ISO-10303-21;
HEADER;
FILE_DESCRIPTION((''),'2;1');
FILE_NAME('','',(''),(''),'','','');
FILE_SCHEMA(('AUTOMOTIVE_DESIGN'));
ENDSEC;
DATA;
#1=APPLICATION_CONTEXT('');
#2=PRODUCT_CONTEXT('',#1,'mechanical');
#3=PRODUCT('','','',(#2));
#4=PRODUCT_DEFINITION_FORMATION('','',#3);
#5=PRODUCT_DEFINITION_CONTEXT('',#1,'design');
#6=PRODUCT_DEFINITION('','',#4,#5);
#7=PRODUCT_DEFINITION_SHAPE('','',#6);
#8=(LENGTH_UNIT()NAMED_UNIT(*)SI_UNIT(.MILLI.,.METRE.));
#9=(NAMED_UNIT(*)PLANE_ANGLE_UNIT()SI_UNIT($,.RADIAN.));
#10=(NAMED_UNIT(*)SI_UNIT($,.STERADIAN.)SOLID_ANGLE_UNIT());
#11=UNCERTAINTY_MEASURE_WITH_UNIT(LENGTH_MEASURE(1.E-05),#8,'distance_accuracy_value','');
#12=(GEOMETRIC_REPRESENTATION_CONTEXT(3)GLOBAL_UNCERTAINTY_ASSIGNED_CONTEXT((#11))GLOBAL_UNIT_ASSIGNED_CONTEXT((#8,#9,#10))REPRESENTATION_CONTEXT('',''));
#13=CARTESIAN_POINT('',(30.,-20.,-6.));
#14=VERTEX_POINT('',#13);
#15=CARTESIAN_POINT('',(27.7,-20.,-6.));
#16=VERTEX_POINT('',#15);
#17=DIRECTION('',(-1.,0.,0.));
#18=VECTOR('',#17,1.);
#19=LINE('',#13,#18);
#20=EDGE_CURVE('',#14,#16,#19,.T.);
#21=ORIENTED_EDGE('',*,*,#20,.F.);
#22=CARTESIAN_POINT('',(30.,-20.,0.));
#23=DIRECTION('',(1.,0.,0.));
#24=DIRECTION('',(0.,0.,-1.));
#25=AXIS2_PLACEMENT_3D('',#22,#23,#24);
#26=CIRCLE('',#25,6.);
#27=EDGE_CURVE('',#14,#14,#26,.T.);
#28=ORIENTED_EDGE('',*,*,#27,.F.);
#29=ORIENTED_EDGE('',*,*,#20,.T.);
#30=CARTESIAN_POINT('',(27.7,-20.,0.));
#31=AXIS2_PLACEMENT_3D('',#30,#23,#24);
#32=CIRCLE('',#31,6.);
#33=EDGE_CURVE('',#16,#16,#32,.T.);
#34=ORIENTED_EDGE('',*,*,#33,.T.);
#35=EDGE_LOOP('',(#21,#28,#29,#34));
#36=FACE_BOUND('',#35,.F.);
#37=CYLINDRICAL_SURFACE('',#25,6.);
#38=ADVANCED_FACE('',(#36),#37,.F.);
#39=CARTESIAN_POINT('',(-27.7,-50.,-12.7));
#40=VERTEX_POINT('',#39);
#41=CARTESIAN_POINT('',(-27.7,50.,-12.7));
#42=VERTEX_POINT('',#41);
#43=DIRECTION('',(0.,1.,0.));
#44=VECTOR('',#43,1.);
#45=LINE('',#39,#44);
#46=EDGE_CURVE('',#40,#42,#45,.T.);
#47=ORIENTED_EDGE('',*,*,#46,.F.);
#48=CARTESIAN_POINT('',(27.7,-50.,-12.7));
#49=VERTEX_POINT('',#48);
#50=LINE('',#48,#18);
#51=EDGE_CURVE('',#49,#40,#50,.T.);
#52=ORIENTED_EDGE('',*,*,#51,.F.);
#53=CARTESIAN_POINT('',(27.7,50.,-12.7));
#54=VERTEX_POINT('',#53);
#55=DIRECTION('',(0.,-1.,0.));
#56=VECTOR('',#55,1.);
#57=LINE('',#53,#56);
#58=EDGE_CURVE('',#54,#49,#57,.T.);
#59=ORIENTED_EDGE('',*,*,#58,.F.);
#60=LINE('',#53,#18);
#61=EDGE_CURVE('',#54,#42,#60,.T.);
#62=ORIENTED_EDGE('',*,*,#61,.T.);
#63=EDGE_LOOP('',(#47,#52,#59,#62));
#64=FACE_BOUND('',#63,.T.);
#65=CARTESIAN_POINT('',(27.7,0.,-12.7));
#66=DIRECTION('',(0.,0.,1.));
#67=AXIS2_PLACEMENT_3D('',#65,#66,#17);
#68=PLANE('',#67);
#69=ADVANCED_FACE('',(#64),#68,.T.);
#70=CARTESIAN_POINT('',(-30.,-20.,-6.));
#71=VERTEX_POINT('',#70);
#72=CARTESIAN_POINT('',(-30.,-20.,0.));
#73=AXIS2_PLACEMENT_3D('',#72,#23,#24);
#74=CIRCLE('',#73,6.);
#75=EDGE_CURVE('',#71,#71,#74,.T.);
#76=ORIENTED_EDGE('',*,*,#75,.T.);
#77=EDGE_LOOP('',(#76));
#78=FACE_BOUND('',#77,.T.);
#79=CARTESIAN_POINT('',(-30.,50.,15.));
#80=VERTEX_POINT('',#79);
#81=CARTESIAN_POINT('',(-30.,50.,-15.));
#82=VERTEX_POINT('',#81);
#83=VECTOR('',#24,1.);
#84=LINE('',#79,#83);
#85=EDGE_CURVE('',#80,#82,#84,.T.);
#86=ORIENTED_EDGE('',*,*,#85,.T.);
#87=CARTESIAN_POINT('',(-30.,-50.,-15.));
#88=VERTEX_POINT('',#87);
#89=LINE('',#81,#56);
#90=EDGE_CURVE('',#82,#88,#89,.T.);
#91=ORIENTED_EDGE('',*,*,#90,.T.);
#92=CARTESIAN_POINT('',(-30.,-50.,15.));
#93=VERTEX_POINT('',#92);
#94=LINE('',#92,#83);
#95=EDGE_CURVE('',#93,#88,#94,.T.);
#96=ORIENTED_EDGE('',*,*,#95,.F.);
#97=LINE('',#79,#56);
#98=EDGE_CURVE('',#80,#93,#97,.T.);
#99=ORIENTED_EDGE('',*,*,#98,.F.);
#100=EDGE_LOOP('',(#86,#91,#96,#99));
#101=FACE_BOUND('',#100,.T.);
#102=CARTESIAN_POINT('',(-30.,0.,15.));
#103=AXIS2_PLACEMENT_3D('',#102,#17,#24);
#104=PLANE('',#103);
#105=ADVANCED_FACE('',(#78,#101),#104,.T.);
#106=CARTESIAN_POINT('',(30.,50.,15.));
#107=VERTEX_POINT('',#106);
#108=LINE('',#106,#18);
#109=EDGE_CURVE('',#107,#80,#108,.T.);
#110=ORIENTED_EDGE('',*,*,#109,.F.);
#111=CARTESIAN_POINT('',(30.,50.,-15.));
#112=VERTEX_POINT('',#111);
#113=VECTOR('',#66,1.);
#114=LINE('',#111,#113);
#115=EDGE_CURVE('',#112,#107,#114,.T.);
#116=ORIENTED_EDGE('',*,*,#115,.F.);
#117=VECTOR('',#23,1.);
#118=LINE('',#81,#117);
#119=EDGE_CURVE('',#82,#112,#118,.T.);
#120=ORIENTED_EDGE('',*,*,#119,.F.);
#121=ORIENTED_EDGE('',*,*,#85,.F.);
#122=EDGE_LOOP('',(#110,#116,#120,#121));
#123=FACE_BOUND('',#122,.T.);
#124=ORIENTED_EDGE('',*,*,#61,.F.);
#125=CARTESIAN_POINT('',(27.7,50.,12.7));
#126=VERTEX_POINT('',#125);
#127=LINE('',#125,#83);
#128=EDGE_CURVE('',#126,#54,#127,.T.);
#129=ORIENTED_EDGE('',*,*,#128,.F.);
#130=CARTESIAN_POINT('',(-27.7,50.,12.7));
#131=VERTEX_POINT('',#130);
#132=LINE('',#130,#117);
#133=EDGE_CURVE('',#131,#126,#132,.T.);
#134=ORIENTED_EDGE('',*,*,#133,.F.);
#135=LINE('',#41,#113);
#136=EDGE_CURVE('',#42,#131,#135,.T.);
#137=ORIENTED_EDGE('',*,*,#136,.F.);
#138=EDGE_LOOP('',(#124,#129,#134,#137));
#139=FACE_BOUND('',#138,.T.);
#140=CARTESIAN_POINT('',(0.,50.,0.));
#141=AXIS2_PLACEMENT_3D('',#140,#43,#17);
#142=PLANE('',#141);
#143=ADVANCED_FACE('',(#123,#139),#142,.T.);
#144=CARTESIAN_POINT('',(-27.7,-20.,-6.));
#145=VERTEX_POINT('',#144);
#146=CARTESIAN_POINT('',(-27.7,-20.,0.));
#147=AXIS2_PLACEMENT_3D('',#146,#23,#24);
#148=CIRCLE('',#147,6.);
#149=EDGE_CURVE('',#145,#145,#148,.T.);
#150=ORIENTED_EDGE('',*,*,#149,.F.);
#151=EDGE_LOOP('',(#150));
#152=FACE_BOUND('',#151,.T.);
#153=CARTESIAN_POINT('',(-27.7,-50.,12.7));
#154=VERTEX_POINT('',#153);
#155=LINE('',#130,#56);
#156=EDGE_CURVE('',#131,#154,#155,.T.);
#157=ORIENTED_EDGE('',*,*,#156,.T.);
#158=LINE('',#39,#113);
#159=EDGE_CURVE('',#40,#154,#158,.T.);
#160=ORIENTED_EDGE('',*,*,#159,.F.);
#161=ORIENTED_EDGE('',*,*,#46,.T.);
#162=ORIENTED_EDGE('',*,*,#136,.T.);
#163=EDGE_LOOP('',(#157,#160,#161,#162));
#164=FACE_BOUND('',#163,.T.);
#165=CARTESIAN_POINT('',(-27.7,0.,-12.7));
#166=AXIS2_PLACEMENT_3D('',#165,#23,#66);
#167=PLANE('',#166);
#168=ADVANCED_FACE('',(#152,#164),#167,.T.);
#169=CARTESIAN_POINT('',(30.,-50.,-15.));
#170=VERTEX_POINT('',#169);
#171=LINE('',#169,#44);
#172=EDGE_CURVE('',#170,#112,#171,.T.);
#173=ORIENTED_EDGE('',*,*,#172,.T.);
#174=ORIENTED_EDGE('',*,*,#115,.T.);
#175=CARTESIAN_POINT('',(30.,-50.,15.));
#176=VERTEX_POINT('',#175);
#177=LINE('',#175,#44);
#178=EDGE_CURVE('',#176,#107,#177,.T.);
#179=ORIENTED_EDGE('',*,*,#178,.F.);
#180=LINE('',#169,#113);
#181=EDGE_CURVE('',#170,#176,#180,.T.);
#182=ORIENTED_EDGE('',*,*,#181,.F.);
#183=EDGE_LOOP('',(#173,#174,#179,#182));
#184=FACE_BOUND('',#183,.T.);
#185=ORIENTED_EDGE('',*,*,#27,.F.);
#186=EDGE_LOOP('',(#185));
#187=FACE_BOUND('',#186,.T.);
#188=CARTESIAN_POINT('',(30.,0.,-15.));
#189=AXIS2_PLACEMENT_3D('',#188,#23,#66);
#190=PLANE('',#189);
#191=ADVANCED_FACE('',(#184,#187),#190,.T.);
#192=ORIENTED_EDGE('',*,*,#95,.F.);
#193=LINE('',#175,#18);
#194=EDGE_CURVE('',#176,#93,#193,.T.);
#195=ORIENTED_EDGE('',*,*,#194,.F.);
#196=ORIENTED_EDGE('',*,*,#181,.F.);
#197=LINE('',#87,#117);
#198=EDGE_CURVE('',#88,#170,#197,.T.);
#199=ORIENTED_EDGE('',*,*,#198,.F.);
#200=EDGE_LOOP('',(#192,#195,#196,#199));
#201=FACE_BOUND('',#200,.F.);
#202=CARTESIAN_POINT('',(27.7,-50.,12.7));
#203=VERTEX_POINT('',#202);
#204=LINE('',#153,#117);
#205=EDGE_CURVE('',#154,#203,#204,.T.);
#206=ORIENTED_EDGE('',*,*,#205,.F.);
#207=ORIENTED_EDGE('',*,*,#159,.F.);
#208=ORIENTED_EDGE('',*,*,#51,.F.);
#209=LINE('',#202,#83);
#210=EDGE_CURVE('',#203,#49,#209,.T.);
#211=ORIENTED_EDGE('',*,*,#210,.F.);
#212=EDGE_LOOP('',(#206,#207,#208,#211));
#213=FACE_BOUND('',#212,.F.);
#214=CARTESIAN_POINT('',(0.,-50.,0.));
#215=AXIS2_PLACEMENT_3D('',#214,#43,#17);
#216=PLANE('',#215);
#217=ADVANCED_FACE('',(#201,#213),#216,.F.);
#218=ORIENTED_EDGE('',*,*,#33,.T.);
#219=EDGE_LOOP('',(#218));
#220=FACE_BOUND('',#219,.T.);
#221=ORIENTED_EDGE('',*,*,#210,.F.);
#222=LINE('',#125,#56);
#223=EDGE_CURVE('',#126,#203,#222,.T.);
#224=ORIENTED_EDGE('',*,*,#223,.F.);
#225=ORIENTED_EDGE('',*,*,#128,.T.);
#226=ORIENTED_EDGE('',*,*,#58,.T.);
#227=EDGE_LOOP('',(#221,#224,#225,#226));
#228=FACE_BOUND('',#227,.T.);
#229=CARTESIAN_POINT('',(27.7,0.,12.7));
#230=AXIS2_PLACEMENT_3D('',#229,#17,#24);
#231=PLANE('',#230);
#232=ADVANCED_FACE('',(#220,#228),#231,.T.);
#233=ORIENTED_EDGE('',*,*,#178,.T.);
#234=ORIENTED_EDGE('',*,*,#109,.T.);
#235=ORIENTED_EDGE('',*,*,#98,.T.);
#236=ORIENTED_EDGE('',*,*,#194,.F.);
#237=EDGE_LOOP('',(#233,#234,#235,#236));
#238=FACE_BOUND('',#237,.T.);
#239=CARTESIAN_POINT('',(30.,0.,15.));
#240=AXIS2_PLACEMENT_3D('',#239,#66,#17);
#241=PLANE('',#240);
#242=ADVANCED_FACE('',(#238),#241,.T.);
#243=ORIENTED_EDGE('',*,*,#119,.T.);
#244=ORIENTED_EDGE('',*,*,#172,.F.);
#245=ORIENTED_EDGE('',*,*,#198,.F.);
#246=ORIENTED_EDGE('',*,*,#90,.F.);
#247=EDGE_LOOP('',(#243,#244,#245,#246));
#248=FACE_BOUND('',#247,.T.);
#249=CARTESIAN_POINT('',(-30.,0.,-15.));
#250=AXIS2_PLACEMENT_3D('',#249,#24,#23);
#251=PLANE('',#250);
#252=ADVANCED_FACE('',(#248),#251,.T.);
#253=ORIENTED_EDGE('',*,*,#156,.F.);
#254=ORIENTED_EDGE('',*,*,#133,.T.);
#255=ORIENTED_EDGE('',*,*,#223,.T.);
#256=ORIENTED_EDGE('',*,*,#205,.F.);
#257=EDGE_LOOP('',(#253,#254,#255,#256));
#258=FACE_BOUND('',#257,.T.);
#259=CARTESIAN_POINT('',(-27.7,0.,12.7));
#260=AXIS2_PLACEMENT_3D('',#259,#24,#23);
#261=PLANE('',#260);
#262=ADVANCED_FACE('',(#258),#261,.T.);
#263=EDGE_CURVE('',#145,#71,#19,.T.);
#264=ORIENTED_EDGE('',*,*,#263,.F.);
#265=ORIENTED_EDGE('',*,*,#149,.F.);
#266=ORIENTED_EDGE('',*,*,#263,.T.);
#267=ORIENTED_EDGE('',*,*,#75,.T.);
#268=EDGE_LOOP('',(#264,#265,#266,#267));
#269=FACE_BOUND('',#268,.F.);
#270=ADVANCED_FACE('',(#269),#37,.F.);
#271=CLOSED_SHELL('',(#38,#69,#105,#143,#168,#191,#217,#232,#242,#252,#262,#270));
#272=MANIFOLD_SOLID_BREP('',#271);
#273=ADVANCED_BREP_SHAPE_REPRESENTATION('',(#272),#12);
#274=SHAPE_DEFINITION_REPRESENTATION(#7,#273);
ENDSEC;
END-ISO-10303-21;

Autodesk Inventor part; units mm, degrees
ref_plane "YZ Plane" through (0, 0, 0) normal (1, 0, 0) x (0, 1, 0)
ref_plane "XZ Plane" through (0, 0, 0) normal (0, 1, 0) x (-1, 0, 0)
ref_plane "XY Plane" through (0, 0, 0) normal (0, 0, 1) x (1, 0, 0)
sketch "スケッチ2" plane through (0, 0, 0) normal (0, 1, 0) x (-1, 0, 0)
  line L0 (-30, 15) -> (30, 15)
  line L1 (30, 15) -> (30, -15)
  line L2 (30, -15) -> (-30, -15)
  line L3 (-30, -15) -> (-30, 15)
  line L4 (-30, 15) -> (30, -15) construction
  line L5 (30, 15) -> (-30, -15) construction
  line L6 (27.7, -12.7) -> (27.7, 12.7)
  line L7 (27.7, 12.7) -> (-27.7, 12.7)
  line L8 (-27.7, 12.7) -> (-27.7, -12.7)
  line L9 (-27.7, -12.7) -> (27.7, -12.7)
  point P0 (0, 0)
  dimension "d0" = 60
  dimension "d1" = 30
  dimension "d2" = 2.3
extrude "押し出し1" add sketch "スケッチ2" along normal mid plane 100
sketch "スケッチ3" plane through (30, -50, -15) normal (1, 0, 0) x (0, 0, -1)
  circle A0 centre (-15, 30) radius 6
  point P0 (-15, 50)
  dimension "d5" = 12
  dimension "d6" = 20
extrude "押し出し2" cut sketch "スケッチ3" against normal blind 60
properties part number "車軸受け1"
